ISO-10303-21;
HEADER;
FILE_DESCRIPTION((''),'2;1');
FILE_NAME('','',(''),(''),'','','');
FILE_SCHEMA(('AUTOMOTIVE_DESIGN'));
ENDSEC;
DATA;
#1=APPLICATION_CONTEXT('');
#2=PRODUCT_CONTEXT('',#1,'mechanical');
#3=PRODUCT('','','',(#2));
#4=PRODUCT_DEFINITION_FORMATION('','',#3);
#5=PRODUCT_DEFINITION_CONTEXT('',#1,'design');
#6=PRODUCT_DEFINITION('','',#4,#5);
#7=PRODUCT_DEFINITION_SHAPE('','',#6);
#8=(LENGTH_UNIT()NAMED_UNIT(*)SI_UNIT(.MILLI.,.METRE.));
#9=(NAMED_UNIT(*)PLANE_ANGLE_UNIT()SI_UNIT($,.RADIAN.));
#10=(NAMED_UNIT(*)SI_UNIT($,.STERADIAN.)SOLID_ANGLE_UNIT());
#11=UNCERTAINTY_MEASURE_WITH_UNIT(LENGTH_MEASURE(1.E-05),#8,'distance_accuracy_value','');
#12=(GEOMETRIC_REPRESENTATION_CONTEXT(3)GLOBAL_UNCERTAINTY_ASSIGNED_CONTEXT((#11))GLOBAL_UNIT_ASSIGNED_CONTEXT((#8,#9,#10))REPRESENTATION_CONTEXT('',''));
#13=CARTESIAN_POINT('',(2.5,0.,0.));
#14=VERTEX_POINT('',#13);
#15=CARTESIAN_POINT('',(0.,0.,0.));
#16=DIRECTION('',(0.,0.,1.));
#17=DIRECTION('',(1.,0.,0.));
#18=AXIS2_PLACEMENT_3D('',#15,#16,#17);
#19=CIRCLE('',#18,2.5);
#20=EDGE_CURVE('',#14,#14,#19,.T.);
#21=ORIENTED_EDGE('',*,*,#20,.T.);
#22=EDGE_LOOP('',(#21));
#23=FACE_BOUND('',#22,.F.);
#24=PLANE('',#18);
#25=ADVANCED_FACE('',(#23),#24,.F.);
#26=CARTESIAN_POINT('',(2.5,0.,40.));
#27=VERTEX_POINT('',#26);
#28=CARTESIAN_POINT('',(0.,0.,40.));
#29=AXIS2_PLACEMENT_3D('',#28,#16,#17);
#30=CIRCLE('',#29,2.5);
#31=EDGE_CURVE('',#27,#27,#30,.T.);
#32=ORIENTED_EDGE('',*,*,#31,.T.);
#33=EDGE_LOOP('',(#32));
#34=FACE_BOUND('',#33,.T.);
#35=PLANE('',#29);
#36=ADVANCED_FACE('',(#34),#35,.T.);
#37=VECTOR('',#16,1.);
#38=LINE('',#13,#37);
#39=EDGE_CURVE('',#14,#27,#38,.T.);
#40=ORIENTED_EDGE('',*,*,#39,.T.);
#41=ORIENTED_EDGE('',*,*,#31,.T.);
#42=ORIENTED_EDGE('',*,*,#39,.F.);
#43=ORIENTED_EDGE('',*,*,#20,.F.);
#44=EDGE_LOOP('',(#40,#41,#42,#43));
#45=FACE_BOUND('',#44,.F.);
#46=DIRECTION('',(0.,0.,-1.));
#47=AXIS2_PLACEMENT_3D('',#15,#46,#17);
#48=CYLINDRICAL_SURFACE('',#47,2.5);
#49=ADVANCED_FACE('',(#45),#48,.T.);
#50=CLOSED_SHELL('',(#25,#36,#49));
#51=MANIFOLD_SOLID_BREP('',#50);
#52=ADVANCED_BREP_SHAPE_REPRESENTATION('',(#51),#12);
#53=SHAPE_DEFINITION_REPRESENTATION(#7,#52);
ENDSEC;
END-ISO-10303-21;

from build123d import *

# Parameters (mm, degrees)
SKETCH_1_R      = 2.5
EXTRUDE_1_DEPTH = 40


with BuildPart() as part:
    # Эскиз1 → Бобышка-Вытянуть1 (new body)
    with BuildSketch(Plane.XY):
        Circle(SKETCH_1_R)
    extrude(amount=EXTRUDE_1_DEPTH)


solid = part.part
